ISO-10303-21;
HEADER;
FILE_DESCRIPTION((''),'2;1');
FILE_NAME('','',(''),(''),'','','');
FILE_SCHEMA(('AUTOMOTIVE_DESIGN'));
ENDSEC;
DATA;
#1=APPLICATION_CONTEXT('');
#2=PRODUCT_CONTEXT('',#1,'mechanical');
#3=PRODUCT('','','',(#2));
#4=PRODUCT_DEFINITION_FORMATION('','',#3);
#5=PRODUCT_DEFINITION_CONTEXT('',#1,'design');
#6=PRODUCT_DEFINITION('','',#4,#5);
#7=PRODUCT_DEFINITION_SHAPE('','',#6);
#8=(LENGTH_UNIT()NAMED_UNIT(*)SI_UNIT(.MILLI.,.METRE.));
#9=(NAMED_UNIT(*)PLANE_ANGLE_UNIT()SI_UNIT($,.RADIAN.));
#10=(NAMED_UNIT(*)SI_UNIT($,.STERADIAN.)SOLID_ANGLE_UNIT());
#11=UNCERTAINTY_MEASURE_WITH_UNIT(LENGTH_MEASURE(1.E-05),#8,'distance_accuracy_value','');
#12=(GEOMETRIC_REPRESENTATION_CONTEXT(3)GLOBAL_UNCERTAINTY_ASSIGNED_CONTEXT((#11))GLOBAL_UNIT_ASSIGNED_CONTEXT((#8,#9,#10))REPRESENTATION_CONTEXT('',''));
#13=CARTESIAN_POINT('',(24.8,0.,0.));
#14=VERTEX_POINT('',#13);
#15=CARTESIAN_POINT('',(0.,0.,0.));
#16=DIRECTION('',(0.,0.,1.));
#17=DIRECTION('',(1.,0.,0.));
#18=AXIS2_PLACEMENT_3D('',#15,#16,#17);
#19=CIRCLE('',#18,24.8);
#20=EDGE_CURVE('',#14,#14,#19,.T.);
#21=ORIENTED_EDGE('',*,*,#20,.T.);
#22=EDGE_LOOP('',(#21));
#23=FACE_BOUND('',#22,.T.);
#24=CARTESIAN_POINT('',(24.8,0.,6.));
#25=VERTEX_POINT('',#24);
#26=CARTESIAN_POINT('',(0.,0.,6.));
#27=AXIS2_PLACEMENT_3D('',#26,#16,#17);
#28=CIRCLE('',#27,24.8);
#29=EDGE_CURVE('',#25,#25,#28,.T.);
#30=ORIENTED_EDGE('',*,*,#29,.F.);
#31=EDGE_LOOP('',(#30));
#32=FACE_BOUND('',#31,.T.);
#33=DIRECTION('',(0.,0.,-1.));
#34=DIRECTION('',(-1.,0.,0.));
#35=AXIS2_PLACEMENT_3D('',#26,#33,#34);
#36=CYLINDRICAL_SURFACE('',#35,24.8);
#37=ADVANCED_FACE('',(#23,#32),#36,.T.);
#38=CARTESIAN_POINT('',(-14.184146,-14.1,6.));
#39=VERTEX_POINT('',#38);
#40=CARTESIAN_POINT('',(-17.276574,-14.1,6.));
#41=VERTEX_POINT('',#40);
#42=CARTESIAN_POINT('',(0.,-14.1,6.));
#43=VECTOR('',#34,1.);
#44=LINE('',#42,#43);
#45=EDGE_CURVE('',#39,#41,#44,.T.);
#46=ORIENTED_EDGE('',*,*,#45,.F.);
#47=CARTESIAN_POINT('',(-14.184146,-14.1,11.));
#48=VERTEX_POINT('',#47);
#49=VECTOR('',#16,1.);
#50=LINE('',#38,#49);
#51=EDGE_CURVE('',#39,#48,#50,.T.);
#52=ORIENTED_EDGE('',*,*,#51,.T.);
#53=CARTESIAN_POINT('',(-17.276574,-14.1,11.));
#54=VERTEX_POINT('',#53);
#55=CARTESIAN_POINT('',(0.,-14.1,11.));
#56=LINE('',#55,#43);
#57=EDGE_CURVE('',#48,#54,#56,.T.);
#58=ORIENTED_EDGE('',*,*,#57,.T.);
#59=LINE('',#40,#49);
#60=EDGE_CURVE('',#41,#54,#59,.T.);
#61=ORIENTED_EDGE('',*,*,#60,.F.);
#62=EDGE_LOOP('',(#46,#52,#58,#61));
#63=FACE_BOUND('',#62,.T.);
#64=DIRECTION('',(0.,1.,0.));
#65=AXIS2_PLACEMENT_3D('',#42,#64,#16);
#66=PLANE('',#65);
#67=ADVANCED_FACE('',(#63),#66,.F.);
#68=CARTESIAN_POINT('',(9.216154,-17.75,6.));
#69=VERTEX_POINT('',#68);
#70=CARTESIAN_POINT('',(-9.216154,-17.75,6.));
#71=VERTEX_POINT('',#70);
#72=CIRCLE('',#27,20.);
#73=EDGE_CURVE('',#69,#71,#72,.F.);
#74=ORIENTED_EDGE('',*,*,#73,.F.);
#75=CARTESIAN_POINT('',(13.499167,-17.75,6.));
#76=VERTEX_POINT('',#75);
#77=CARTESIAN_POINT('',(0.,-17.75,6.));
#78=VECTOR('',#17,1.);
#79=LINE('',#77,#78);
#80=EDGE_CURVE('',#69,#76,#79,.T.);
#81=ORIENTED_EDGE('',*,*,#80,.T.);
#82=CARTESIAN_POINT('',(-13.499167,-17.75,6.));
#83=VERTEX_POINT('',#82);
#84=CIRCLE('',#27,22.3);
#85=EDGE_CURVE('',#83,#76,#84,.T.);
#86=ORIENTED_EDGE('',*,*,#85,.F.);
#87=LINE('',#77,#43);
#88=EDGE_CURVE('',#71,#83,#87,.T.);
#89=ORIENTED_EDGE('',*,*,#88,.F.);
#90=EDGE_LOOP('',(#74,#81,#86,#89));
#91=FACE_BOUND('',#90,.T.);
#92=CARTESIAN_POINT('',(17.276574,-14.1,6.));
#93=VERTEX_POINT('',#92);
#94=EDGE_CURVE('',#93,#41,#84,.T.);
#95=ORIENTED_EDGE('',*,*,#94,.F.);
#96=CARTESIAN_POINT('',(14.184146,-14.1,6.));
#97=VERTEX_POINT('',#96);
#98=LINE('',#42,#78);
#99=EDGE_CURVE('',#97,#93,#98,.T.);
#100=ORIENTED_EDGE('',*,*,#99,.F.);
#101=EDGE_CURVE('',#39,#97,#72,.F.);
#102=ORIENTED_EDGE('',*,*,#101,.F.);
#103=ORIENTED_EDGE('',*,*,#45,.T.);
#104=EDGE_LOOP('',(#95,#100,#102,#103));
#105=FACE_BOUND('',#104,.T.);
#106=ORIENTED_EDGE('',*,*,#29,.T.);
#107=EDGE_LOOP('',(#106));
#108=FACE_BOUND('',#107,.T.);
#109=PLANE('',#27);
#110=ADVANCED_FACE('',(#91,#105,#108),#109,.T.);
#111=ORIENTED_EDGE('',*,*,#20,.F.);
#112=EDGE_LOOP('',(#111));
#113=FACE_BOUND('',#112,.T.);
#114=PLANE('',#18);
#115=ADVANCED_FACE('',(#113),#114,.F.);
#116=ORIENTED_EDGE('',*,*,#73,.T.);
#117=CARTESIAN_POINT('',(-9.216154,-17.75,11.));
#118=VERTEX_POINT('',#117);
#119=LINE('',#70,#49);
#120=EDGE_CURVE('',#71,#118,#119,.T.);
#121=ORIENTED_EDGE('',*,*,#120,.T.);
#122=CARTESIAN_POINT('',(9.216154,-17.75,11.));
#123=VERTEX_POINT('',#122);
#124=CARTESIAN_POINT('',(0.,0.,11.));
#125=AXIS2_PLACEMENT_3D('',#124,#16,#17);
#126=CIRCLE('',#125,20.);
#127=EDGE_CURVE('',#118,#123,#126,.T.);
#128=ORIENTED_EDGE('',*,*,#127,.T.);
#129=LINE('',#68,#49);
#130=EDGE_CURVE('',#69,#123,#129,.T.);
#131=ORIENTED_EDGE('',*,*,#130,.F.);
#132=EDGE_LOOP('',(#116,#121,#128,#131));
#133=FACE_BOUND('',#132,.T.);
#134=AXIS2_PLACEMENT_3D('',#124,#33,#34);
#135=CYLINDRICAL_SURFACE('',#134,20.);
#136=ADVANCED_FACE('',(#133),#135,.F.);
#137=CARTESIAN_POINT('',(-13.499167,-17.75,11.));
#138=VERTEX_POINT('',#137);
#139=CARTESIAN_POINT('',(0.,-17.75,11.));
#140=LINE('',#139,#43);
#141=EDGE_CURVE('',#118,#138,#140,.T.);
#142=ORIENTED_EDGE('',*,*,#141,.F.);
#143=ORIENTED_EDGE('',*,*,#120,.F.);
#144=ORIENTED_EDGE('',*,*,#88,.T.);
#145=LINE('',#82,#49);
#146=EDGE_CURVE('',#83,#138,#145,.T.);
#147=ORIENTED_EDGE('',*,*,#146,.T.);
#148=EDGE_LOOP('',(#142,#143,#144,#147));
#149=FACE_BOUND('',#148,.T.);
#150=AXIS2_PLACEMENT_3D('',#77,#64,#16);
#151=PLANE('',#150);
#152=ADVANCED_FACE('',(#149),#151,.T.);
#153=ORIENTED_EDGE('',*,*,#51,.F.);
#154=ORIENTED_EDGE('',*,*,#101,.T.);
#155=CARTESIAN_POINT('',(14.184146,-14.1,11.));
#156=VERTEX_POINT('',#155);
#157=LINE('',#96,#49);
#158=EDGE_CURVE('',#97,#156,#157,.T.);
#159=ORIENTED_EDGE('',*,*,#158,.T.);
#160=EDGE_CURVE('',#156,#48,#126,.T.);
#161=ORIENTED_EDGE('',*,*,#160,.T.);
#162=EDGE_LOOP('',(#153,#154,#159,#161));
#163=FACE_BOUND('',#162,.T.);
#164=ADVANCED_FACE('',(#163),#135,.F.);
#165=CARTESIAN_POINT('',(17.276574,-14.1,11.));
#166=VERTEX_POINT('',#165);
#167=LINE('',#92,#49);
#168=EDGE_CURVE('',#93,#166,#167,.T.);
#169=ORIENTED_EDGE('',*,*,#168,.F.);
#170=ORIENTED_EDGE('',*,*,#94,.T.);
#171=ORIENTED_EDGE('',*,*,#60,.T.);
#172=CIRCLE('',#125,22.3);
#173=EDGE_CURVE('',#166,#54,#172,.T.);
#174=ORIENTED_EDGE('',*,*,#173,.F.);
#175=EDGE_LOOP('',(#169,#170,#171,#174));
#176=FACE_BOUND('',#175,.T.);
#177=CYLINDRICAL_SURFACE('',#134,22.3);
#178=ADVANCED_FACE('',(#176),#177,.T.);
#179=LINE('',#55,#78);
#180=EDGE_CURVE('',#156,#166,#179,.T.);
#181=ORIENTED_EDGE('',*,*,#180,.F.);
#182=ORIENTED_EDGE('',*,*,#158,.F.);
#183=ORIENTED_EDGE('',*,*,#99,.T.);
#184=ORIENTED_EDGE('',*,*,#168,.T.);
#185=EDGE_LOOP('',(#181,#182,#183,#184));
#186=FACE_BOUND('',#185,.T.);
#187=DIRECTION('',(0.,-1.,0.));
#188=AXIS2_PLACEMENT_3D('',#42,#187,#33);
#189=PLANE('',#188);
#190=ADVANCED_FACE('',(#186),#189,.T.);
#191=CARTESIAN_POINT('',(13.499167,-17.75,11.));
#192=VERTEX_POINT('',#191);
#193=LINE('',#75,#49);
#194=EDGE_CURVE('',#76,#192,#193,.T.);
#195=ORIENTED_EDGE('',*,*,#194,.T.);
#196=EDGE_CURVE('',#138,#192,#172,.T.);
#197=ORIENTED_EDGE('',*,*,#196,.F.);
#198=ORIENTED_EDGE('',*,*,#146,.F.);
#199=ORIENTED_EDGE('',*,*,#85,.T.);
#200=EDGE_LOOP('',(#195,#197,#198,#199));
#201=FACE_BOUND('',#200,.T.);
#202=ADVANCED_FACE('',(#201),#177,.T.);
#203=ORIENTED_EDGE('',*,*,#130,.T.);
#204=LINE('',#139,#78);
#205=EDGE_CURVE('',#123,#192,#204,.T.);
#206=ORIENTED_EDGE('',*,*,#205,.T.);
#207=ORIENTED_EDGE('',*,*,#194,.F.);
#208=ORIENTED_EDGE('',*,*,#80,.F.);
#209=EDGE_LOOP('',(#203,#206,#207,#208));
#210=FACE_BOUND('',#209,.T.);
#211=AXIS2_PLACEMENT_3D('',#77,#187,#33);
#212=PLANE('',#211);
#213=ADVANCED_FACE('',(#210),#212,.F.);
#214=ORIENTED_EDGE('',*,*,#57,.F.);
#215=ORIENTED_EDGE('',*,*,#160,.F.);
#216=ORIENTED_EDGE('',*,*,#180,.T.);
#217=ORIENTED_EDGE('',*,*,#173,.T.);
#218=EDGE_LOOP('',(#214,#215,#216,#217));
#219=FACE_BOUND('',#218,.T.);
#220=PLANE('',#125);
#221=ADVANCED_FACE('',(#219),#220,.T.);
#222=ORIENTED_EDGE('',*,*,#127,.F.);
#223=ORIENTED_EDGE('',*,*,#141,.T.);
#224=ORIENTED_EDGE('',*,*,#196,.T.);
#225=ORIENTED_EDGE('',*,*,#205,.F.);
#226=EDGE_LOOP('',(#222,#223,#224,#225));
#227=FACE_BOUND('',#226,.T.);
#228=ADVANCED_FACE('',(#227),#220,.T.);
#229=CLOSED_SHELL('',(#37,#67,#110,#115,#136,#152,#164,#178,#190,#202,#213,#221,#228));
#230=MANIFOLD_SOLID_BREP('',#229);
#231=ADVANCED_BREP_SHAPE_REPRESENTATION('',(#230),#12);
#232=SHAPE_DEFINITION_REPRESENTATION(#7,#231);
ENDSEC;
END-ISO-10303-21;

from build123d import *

# Parameters (mm, degrees)
SKETCH1_R           = 24.8
BOSS_EXTRUDE1_DEPTH = 6
SKETCH2_R           = 22.3
SKETCH2_R_2         = 20
BOSS_EXTRUDE2_DEPTH = 5
CUT_EXTRUDE1_START  = -5
CUT_EXTRUDE1_DEPTH  = 5


with BuildPart() as part:
    # Sketch1 → Boss-Extrude1 (new body)
    with BuildSketch(Plane.XY):
        Circle(SKETCH1_R)
    extrude(amount=BOSS_EXTRUDE1_DEPTH)

    # Sketch2 → Boss-Extrude2 (add)
    with BuildSketch(Plane.XY.offset(6)):
        Circle(SKETCH2_R)
        Circle(SKETCH2_R_2, mode=Mode.SUBTRACT)
    extrude(amount=BOSS_EXTRUDE2_DEPTH)

    # Sketch3 → Cut-Extrude1 (cut)
    with BuildSketch(Plane.XY.offset(11).offset(CUT_EXTRUDE1_START)):
        with BuildLine():
            Line((-13.499166641, -17.75), (-9.216154296, -17.75))
            ThreePointArc((-9.216154296, -17.75), (-11.841627397, -16.11756373), (-14.184146079, -14.1))
            Line((-14.184146079, -14.1), (-17.276573734, -14.1))
            ThreePointArc((-17.276573734, -14.1), (-15.495714695, -16.036608934), (-13.499166641, -17.75))
        make_face()
        with BuildLine():
            Line((17.276573734, -14.1), (14.184146079, -14.1))
            ThreePointArc((14.184146079, -14.1), (11.841627397, -16.11756373), (9.216154296, -17.75))
            Line((9.216154296, -17.75), (13.499166641, -17.75))
            ThreePointArc((13.499166641, -17.75), (15.495714695, -16.036608934), (17.276573734, -14.1))
        make_face()
    extrude(amount=CUT_EXTRUDE1_DEPTH, mode=Mode.SUBTRACT)


solid = part.part
